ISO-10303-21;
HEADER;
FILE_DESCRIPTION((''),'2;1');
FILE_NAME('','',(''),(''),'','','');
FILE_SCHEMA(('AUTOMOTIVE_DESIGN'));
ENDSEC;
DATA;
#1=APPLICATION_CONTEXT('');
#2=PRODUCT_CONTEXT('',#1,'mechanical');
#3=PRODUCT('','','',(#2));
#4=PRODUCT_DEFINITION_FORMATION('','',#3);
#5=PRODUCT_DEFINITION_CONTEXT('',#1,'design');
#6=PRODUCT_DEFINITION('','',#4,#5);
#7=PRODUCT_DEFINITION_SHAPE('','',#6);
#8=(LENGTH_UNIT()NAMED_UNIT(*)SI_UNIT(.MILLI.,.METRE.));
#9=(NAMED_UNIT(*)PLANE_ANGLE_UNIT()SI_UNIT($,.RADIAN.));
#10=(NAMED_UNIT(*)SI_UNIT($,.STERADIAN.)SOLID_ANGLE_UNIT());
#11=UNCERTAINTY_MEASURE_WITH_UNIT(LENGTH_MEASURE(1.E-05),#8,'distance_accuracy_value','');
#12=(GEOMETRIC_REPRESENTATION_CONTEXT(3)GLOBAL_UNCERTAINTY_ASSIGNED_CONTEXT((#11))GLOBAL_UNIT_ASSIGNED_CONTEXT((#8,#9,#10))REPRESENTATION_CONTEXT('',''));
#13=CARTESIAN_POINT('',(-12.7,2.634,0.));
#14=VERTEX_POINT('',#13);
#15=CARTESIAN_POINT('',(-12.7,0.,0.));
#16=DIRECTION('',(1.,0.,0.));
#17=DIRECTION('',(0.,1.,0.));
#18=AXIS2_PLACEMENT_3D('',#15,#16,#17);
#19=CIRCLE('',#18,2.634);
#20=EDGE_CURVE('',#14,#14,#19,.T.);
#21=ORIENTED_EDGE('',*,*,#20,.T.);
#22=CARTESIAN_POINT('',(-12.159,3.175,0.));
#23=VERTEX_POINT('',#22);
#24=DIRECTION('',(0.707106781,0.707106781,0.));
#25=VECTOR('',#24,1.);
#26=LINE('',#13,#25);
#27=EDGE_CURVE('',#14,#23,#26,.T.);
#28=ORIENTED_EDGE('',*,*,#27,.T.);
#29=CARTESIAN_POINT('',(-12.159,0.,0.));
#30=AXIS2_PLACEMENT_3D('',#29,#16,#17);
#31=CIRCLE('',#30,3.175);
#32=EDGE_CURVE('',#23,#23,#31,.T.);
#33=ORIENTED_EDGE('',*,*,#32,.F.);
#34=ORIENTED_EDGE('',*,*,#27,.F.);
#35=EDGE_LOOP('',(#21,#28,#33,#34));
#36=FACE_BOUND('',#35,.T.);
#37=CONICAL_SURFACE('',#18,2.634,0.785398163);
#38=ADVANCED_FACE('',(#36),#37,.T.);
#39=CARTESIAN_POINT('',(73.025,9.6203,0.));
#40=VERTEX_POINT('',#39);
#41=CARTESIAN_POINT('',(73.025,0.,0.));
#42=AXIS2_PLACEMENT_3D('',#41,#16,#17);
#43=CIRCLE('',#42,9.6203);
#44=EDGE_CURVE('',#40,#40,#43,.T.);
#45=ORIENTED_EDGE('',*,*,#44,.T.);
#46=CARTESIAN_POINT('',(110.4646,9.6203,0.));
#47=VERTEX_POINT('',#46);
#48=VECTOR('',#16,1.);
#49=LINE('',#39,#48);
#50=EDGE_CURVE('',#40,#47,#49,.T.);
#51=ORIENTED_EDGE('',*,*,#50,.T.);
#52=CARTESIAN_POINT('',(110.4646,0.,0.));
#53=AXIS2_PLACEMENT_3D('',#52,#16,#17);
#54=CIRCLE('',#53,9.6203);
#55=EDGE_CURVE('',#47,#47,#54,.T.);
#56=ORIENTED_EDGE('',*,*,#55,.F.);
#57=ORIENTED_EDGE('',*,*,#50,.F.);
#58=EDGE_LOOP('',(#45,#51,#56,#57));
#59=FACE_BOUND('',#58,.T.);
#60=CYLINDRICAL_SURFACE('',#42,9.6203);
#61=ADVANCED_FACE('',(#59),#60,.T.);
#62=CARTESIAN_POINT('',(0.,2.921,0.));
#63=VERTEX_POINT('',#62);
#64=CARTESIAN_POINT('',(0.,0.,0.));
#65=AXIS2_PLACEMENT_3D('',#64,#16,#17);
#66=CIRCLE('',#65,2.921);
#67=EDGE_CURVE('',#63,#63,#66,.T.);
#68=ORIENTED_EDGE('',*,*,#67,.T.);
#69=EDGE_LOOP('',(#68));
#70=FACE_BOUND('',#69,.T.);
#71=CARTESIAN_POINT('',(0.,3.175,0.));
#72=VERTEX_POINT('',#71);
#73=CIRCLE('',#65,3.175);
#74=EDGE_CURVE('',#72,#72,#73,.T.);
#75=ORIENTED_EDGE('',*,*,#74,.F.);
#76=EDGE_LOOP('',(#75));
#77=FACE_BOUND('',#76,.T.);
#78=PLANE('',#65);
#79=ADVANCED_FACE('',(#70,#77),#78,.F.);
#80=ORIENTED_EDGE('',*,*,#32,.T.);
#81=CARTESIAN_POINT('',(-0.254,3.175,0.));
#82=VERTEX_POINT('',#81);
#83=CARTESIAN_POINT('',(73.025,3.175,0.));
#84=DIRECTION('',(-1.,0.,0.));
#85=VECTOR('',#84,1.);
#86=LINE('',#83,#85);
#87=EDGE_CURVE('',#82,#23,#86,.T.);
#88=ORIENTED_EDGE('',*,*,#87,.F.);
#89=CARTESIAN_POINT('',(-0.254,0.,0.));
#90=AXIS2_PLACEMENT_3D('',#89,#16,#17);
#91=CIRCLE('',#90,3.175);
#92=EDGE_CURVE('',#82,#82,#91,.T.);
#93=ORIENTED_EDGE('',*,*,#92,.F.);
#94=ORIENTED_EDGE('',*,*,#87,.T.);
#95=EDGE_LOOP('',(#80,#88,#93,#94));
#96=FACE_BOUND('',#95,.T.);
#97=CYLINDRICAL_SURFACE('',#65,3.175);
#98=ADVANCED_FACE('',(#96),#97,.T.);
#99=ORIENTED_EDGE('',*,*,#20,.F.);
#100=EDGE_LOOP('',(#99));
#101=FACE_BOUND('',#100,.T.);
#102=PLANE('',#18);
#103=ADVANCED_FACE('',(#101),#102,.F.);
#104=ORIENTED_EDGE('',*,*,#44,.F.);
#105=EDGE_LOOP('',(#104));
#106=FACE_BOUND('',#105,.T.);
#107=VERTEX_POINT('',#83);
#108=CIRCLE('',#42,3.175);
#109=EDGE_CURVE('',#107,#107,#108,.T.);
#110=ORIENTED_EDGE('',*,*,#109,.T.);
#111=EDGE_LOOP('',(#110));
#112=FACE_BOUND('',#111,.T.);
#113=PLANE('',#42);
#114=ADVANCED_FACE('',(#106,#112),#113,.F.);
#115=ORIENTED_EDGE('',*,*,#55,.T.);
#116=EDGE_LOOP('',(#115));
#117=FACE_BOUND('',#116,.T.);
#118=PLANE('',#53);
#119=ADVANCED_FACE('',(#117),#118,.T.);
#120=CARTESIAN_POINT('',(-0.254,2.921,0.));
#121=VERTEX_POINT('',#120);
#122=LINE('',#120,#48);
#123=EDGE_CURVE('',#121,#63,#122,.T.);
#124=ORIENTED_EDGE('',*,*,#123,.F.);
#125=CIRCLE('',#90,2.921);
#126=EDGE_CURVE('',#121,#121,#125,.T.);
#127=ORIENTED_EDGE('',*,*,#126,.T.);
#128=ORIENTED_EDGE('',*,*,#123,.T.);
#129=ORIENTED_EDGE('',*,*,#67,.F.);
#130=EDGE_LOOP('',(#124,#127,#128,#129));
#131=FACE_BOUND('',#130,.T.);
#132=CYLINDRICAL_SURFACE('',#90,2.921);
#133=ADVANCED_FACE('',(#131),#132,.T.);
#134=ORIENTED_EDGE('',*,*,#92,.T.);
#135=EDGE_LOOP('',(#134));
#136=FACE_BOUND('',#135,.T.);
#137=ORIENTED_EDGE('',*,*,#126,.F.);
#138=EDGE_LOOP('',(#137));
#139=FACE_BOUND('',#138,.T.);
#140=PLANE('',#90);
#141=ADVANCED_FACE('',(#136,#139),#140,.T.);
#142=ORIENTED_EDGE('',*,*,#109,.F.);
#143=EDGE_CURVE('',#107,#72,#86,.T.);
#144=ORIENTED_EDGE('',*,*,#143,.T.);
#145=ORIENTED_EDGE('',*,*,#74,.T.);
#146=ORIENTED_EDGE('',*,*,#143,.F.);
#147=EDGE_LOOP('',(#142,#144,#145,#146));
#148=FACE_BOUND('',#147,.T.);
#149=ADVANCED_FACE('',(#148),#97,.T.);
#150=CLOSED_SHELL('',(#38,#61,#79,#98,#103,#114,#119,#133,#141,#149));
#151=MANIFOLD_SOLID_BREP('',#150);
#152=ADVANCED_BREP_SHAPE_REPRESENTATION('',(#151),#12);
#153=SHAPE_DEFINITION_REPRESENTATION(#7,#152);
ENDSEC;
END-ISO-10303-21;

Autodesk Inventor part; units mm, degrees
sketch "Sketch_1" plane through (0, 0, 0) normal (0, 0, 1) x (1, 0, 0)
  line L0 (110.4646, 0) -> (0, 0)
  line L1 (0, 0) -> (0, 3.175)
  line L2 (0, 3.175) -> (73.025, 3.175)
  line L3 (73.025, 3.175) -> (73.025, 9.6203)
  line L4 (73.025, 9.6203) -> (110.4646, 9.6203)
  line L5 (110.4646, 9.6203) -> (110.4646, 0)
  line L6 (110.4646, 0) -> (0, 0)
revolve "Revolution1" add sketch "Sketch_1" angle 360 about axis through (110.4646, 0, 0) along (1, 0, 0)
sketch "Sketch_3" plane through (0, 0, 0) normal (0, 0, 1) x (1, 0, 0)
  line L0 (0, 0) -> (-12.7, 0)
  line L1 (-12.7, 0) -> (-12.7, 2.634)
  line L2 (-12.7, 2.634) -> (-12.159, 3.175)
  line L3 (-12.159, 3.175) -> (0, 3.175)
  line L4 (0, 3.175) -> (0, 0)
  line L5 (0, 0) -> (-12.7, 0)
revolve "Revolution2" add sketch "Sketch_3" angle 360 about axis through (0, 0, 0) along (1, 0, 0)
thread "Thread1" size "1/4-28 UNF" class "2A" standard "ANSI Unified Screw Threads" length 12.159
sketch "Sketch_30" plane through (0, 0, 0) normal (0, 0, 1) x (1, 0, 0)
  line L0 (0, 0) -> (-0.254, 0)
  line L1 (-0.254, 2.921) -> (0, 2.921)
  line L2 (0, 2.921) -> (0, 3.429)
  line L3 (0, 3.429) -> (-0.254, 3.429)
  line L4 (-0.254, 3.429) -> (-0.254, 2.921)
revolve "Revolution3" cut sketch "Sketch_30" angle 360 about axis through (0, 0, 0) along (1, 0, 0)
ref_plane "dia1_XY" through (0, 3.175, 0) normal (1, 0, 0) x (0, 0, -1)
ref_plane "dia1_YZ" through (0, 3.175, 0) normal (0, 0, -1) x (0, 1, 0)
ref_plane "dia1_ZX" through (0, 3.175, 0) normal (0, 1, 0) x (1, 0, 0)
ref_plane "dia12_XY" through (0, 0, 10.2235) normal (1, 0, 0) x (0, 0, -1)
ref_plane "dia12_YZ" through (0, 0, 10.2235) normal (0, 0, -1) x (0, 1, 0)
ref_plane "dia12_ZX" through (0, 0, 10.2235) normal (0, 1, 0) x (1, 0, 0)
ref_plane "dia2_XY" through (0, -3.175, 0) normal (1, 0, 0) x (0, 0, -1)
ref_plane "dia2_YZ" through (0, -3.175, 0) normal (0, 0, -1) x (0, 1, 0)
ref_plane "dia2_ZX" through (0, -3.175, 0) normal (0, 1, 0) x (1, 0, 0)
ref_plane "dia22_XY" through (0, 0, -10.2235) normal (1, 0, 0) x (0, 0, -1)
ref_plane "dia22_YZ" through (0, 0, -10.2235) normal (0, 0, -1) x (0, 1, 0)
ref_plane "dia22_ZX" through (0, 0, -10.2235) normal (0, 1, 0) x (1, 0, 0)
ref_plane "rl1_XY" through (-12.7, 0, 0) normal (1, 0, 0) x (0, 0, -1)
ref_plane "rl1_YZ" through (-12.7, 0, 0) normal (0, 0, -1) x (0, 1, 0)
ref_plane "rl1_ZX" through (-12.7, 0, 0) normal (0, 1, 0) x (1, 0, 0)
ref_plane "rl2_XY" through (0, 0, 0) normal (1, 0, 0) x (0, 0, -1)
ref_plane "rl2_YZ" through (0, 0, 0) normal (0, 0, -1) x (0, 1, 0)
ref_plane "rl2_ZX" through (0, 0, 0) normal (0, 1, 0) x (1, 0, 0)
ref_plane "rod_cp_XY" through (0, 0, 0) normal (1, 0, 0) x (0, 0, -1)
ref_plane "rod_cp_YZ" through (0, 0, 0) normal (0, 0, -1) x (0, 1, 0)
ref_plane "rod_cp_ZX" through (0, 0, 0) normal (0, 1, 0) x (1, 0, 0)
ref_plane "thd1_XY" through (-12.7, 3.175, 0) normal (1, 0, 0) x (0, 0, -1)
ref_plane "thd1_YZ" through (-12.7, 3.175, 0) normal (0, 0, -1) x (0, 1, 0)
ref_plane "thd1_ZX" through (-12.7, 3.175, 0) normal (0, 1, 0) x (1, 0, 0)
ref_plane "thd2_XY" through (-12.7, -3.175, 0) normal (1, 0, 0) x (0, 0, -1)
ref_plane "thd2_YZ" through (-12.7, -3.175, 0) normal (0, 0, -1) x (0, 1, 0)
ref_plane "thd2_ZX" through (-12.7, -3.175, 0) normal (0, 1, 0) x (1, 0, 0)
ref_plane "to_rod_clevis_XY" through (-16.764, 0, 0) normal (1, 0, 0) x (0, 0, -1)
ref_plane "to_rod_clevis_YZ" through (-16.764, 0, 0) normal (0, 0, -1) x (0, 1, 0)
ref_plane "to_rod_clevis_ZX" through (-16.764, 0, 0) normal (0, 1, 0) x (1, 0, 0)
properties part number "C-0420000_rod"
